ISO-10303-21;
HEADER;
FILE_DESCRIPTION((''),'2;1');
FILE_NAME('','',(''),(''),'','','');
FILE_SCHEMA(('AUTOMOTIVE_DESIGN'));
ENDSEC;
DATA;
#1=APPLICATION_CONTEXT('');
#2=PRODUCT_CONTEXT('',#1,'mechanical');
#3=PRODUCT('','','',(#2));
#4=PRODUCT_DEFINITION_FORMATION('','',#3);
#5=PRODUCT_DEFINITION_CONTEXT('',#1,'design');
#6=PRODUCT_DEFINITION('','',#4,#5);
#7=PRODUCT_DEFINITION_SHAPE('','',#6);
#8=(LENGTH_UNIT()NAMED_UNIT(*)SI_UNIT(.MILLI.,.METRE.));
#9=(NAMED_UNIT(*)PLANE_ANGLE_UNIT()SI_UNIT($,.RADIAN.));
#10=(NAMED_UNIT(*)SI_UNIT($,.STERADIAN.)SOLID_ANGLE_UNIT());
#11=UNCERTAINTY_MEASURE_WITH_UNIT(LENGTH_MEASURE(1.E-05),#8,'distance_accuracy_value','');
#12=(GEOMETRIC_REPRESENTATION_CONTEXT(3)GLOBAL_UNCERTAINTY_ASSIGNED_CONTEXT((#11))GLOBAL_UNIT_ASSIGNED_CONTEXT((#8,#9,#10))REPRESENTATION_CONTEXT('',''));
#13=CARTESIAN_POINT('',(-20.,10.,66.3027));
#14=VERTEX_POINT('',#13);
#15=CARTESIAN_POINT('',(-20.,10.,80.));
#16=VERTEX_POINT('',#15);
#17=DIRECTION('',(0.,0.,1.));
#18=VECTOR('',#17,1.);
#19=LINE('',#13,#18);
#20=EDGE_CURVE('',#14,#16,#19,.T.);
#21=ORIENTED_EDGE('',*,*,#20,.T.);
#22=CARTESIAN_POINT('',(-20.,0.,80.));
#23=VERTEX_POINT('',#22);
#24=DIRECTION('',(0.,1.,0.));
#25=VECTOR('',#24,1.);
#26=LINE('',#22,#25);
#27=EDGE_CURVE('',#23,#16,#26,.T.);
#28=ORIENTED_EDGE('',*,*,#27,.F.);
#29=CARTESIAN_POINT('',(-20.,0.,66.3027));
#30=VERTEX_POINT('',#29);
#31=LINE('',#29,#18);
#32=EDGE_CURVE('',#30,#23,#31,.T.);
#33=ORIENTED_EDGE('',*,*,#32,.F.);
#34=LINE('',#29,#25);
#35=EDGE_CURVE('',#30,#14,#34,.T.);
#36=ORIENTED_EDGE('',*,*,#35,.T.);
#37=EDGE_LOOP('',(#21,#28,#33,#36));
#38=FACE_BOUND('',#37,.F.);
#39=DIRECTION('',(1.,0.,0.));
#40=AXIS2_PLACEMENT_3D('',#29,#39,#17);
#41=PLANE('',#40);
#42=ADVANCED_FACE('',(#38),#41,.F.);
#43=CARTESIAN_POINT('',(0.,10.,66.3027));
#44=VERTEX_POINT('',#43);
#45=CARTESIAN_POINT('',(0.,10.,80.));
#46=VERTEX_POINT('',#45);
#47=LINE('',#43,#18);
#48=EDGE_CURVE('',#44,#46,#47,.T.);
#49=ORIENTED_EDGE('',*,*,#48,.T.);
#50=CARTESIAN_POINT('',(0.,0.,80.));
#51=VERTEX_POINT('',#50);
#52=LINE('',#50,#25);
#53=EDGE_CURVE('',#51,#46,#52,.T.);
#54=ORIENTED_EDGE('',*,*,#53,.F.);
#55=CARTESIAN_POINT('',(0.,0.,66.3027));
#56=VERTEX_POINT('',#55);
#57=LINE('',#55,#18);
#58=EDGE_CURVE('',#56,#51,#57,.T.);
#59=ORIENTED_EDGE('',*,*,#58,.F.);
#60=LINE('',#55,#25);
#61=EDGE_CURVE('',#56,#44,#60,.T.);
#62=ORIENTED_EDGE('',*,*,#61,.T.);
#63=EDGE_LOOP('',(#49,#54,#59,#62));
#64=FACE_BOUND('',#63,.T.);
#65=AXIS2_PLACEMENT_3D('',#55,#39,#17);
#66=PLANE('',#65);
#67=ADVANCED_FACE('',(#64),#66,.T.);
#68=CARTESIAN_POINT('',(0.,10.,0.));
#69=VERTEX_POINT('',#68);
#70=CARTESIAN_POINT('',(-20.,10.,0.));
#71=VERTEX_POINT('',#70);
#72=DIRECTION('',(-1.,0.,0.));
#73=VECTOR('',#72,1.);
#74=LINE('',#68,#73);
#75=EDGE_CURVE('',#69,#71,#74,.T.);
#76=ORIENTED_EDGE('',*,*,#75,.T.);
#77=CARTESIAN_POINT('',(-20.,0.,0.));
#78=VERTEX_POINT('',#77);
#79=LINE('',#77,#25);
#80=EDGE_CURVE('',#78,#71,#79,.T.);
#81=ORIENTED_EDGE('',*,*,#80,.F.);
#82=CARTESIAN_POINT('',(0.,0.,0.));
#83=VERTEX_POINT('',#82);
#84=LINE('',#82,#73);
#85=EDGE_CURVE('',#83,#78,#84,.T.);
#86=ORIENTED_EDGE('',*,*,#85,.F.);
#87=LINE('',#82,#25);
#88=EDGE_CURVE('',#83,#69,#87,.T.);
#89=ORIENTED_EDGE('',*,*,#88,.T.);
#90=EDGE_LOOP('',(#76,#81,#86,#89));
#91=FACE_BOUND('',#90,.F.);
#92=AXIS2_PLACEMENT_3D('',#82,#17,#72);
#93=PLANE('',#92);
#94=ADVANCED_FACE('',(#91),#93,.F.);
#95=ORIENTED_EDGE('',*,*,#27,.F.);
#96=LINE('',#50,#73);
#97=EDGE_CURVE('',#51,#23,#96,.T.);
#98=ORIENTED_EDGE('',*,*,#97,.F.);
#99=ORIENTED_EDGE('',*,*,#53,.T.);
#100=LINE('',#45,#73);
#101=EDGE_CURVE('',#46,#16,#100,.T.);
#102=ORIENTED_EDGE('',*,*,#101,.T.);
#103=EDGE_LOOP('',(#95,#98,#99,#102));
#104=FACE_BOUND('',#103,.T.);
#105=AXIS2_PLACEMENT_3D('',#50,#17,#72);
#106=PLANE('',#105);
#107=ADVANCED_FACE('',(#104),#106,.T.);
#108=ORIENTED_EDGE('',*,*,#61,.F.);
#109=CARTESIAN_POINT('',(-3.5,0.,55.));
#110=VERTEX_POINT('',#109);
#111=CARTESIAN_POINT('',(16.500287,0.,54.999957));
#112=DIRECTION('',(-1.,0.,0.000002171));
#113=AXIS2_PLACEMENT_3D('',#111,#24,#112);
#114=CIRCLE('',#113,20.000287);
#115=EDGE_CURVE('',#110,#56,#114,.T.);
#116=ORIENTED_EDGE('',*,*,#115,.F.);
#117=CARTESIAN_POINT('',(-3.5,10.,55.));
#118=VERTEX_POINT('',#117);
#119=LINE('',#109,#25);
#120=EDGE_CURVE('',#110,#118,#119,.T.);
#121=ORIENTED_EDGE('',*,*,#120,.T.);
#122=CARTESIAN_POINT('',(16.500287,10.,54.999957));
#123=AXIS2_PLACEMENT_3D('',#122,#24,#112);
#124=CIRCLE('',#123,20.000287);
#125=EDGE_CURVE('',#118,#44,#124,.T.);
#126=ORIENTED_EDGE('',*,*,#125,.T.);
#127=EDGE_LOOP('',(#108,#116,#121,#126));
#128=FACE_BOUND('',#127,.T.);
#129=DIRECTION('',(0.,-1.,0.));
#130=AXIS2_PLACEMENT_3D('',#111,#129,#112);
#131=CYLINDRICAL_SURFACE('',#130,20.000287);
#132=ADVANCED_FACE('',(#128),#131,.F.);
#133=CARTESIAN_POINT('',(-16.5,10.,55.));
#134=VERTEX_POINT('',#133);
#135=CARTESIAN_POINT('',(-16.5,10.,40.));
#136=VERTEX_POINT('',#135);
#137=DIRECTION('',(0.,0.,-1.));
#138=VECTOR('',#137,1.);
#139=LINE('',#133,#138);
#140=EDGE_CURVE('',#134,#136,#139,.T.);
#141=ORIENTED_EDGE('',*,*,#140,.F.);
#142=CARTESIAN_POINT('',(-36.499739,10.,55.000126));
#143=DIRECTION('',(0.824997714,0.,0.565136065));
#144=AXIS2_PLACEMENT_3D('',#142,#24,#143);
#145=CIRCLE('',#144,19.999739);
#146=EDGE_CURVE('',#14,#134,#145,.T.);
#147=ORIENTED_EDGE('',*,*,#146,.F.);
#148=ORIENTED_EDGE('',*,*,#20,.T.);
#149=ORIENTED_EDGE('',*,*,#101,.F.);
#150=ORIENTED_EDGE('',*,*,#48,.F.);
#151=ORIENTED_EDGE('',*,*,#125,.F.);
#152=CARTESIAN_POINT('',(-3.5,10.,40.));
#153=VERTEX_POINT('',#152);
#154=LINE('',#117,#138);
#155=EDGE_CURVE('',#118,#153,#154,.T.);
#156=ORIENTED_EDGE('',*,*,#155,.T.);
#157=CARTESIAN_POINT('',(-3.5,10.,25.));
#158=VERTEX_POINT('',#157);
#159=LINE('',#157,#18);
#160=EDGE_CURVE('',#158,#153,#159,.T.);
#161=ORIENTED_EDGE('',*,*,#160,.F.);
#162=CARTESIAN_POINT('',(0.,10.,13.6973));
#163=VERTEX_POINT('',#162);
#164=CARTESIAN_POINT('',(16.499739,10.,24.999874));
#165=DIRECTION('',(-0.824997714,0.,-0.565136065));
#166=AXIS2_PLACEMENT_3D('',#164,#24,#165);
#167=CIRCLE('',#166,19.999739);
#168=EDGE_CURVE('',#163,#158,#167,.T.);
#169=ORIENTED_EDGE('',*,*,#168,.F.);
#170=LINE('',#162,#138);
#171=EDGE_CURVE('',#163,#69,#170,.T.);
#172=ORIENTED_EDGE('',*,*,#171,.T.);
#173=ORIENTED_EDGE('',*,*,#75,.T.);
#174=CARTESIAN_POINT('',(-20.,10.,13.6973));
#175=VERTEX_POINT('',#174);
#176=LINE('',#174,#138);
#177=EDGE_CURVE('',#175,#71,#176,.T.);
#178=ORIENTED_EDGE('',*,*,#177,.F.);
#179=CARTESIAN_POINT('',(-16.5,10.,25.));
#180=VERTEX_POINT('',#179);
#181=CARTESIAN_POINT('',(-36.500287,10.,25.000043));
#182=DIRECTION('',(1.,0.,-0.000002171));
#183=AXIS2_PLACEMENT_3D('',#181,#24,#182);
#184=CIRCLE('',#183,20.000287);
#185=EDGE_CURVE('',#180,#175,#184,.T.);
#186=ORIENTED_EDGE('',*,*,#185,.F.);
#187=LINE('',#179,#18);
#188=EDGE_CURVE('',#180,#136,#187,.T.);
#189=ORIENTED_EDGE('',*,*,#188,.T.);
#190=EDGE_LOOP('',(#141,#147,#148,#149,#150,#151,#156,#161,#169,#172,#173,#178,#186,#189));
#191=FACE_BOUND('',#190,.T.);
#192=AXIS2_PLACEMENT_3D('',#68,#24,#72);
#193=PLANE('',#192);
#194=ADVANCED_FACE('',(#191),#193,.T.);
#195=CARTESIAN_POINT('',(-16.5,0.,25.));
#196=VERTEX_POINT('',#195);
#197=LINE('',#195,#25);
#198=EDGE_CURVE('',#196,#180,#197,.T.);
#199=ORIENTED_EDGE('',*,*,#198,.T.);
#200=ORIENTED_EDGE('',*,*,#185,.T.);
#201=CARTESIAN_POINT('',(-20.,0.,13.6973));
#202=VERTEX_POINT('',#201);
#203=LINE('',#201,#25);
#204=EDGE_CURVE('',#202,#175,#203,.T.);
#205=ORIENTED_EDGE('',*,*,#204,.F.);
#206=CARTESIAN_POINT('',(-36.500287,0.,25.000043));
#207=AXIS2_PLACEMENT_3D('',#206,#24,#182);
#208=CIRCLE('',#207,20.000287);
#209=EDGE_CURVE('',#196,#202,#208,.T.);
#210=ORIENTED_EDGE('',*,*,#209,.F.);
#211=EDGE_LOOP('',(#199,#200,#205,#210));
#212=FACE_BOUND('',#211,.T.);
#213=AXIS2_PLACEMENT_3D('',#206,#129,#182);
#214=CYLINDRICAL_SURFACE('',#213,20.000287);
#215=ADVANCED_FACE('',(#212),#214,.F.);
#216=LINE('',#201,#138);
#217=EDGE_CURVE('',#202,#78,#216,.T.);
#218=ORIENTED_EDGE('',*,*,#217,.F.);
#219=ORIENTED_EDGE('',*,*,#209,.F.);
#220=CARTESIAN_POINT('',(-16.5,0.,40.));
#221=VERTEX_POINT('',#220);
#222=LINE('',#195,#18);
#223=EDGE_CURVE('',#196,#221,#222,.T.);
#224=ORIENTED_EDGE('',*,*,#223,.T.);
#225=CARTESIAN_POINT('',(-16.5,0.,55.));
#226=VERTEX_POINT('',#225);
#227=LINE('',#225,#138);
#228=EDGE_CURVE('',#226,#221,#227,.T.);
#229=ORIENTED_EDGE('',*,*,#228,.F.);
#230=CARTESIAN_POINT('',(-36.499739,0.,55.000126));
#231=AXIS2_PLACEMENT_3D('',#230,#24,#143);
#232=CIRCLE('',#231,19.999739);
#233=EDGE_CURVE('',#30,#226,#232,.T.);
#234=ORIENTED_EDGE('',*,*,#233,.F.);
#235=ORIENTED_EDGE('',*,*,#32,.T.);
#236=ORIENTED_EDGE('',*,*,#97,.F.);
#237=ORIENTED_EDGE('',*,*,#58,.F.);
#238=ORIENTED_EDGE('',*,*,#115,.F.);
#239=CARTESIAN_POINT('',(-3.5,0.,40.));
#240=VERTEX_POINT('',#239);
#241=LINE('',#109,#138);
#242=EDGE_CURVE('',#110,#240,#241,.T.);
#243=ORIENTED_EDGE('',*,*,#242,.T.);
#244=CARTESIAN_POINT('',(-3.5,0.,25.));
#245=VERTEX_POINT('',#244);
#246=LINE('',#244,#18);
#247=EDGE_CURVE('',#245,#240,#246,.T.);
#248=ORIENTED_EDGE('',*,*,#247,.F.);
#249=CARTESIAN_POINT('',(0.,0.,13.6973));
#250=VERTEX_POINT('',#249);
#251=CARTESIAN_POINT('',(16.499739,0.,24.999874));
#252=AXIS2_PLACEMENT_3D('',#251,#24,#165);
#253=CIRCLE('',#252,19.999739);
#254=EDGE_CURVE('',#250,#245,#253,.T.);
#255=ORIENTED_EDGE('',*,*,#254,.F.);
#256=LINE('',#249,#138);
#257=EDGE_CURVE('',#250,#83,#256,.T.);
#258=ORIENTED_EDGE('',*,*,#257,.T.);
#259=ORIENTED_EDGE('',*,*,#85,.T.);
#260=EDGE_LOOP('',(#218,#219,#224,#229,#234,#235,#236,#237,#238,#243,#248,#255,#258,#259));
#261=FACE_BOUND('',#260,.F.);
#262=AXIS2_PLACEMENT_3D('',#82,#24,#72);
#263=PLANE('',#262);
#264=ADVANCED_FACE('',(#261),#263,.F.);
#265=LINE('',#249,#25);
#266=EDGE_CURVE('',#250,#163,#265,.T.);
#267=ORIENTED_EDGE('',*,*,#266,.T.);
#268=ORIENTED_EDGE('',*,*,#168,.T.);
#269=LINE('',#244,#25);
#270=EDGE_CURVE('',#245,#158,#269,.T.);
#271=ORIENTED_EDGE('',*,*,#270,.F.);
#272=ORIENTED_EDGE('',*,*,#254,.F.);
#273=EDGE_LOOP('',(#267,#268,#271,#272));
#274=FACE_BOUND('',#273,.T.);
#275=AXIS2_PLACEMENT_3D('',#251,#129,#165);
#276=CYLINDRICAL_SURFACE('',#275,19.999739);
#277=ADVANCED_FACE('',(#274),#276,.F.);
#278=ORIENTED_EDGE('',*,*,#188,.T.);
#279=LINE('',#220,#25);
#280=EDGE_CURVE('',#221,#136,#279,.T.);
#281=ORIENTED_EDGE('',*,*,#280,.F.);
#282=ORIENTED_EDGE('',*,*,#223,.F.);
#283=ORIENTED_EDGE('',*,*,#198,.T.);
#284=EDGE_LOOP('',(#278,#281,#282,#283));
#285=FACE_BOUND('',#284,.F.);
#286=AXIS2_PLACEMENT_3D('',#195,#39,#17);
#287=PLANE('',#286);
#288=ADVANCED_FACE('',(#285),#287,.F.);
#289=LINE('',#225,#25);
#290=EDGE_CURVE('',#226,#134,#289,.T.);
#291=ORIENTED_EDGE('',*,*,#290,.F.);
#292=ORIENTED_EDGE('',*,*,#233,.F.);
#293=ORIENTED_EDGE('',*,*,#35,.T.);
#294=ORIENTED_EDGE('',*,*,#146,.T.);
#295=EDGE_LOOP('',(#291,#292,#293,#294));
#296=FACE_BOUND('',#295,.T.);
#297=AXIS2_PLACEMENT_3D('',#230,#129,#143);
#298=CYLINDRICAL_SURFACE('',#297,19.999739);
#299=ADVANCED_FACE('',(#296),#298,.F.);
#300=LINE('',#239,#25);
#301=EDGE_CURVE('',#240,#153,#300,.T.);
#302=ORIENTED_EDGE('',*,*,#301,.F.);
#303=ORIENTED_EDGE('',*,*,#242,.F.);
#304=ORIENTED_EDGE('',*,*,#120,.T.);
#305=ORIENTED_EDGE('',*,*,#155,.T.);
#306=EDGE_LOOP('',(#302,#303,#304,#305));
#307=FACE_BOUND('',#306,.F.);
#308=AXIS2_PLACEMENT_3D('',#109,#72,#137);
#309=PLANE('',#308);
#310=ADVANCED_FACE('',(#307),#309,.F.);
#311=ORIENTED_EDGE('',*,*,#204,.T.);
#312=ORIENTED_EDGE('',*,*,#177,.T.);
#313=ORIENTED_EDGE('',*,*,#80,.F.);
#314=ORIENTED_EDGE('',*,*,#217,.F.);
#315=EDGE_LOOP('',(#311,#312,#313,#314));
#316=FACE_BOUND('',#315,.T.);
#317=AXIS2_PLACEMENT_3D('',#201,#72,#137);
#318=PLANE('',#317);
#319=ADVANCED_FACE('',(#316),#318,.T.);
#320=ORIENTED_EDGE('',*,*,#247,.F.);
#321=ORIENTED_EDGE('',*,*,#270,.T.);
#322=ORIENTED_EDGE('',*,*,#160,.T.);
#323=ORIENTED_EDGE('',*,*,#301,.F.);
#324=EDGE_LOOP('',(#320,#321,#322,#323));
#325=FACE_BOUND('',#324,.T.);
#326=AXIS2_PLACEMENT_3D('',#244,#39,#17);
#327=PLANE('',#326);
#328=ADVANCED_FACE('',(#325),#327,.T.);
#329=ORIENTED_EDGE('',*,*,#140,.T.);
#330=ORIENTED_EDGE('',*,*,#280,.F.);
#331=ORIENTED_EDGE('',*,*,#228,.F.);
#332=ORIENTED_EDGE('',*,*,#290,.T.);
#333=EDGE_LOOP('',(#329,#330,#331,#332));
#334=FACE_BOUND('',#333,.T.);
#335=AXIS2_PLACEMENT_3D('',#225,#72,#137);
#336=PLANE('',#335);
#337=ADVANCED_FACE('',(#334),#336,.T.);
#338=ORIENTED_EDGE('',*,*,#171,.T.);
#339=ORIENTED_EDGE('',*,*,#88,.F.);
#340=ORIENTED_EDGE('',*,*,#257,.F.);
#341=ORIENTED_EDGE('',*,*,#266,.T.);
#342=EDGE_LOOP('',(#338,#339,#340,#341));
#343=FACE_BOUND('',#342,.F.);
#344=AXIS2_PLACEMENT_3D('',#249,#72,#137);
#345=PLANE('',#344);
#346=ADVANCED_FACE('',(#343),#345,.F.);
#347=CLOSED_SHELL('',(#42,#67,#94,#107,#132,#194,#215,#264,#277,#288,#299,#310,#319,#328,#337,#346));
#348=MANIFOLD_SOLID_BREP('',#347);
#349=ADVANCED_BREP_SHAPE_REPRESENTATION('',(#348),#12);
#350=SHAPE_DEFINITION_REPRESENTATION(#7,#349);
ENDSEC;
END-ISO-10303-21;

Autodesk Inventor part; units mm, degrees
ref_plane "YZ Plane" through (0, 0, 0) normal (1, 0, 0) x (0, 1, 0)
ref_plane "XZ Plane" through (0, 0, 0) normal (0, 1, 0) x (-1, 0, 0)
ref_plane "XY Plane" through (0, 0, 0) normal (0, 0, 1) x (1, 0, 0)
sketch "Sketch1" plane through (0, 0, 0) normal (0, 1, 0) x (-1, 0, 0)
  line L0 (0, 0) -> (20, 0)
  line L1 (3.5, 25) -> (3.5, 40)
  line L2 (16.5, 25) -> (16.5, 40)
  arc A0 (16.5, 25) -> (20, 13.6973) centre (36.5, 25) ccw
  arc A1 (0, 13.6973) -> (3.5, 25) centre (-16.5, 25) ccw
  line L3 (3.5, 40) -> (16.5, 40) construction
  line L4 (0, 13.6973) -> (0, 0)
  line L5 (20, 13.6973) -> (20, 0)
  line L6 (0, 80) -> (20, 80)
  line L7 (3.5, 55) -> (3.5, 40)
  line L8 (16.5, 55) -> (16.5, 40)
  arc A2 (20, 66.3027) -> (16.5, 55) centre (36.5, 55) ccw
  arc A3 (3.5, 55) -> (0, 66.3027) centre (-16.5, 55) ccw
  line L9 (0, 66.3027) -> (0, 80)
  line L10 (20, 66.3027) -> (20, 80)
  dimension "d2" = 20
  dimension "d5" = 20
  dimension "d6" = 20
  dimension "d7" = 40
  dimension "d8" = 13
  dimension "d9" = 15
  dimension "d13" = 15
extrude "Extrusion1" add sketch "Sketch1" along normal blind 10
properties part number "Generic DogBone"
